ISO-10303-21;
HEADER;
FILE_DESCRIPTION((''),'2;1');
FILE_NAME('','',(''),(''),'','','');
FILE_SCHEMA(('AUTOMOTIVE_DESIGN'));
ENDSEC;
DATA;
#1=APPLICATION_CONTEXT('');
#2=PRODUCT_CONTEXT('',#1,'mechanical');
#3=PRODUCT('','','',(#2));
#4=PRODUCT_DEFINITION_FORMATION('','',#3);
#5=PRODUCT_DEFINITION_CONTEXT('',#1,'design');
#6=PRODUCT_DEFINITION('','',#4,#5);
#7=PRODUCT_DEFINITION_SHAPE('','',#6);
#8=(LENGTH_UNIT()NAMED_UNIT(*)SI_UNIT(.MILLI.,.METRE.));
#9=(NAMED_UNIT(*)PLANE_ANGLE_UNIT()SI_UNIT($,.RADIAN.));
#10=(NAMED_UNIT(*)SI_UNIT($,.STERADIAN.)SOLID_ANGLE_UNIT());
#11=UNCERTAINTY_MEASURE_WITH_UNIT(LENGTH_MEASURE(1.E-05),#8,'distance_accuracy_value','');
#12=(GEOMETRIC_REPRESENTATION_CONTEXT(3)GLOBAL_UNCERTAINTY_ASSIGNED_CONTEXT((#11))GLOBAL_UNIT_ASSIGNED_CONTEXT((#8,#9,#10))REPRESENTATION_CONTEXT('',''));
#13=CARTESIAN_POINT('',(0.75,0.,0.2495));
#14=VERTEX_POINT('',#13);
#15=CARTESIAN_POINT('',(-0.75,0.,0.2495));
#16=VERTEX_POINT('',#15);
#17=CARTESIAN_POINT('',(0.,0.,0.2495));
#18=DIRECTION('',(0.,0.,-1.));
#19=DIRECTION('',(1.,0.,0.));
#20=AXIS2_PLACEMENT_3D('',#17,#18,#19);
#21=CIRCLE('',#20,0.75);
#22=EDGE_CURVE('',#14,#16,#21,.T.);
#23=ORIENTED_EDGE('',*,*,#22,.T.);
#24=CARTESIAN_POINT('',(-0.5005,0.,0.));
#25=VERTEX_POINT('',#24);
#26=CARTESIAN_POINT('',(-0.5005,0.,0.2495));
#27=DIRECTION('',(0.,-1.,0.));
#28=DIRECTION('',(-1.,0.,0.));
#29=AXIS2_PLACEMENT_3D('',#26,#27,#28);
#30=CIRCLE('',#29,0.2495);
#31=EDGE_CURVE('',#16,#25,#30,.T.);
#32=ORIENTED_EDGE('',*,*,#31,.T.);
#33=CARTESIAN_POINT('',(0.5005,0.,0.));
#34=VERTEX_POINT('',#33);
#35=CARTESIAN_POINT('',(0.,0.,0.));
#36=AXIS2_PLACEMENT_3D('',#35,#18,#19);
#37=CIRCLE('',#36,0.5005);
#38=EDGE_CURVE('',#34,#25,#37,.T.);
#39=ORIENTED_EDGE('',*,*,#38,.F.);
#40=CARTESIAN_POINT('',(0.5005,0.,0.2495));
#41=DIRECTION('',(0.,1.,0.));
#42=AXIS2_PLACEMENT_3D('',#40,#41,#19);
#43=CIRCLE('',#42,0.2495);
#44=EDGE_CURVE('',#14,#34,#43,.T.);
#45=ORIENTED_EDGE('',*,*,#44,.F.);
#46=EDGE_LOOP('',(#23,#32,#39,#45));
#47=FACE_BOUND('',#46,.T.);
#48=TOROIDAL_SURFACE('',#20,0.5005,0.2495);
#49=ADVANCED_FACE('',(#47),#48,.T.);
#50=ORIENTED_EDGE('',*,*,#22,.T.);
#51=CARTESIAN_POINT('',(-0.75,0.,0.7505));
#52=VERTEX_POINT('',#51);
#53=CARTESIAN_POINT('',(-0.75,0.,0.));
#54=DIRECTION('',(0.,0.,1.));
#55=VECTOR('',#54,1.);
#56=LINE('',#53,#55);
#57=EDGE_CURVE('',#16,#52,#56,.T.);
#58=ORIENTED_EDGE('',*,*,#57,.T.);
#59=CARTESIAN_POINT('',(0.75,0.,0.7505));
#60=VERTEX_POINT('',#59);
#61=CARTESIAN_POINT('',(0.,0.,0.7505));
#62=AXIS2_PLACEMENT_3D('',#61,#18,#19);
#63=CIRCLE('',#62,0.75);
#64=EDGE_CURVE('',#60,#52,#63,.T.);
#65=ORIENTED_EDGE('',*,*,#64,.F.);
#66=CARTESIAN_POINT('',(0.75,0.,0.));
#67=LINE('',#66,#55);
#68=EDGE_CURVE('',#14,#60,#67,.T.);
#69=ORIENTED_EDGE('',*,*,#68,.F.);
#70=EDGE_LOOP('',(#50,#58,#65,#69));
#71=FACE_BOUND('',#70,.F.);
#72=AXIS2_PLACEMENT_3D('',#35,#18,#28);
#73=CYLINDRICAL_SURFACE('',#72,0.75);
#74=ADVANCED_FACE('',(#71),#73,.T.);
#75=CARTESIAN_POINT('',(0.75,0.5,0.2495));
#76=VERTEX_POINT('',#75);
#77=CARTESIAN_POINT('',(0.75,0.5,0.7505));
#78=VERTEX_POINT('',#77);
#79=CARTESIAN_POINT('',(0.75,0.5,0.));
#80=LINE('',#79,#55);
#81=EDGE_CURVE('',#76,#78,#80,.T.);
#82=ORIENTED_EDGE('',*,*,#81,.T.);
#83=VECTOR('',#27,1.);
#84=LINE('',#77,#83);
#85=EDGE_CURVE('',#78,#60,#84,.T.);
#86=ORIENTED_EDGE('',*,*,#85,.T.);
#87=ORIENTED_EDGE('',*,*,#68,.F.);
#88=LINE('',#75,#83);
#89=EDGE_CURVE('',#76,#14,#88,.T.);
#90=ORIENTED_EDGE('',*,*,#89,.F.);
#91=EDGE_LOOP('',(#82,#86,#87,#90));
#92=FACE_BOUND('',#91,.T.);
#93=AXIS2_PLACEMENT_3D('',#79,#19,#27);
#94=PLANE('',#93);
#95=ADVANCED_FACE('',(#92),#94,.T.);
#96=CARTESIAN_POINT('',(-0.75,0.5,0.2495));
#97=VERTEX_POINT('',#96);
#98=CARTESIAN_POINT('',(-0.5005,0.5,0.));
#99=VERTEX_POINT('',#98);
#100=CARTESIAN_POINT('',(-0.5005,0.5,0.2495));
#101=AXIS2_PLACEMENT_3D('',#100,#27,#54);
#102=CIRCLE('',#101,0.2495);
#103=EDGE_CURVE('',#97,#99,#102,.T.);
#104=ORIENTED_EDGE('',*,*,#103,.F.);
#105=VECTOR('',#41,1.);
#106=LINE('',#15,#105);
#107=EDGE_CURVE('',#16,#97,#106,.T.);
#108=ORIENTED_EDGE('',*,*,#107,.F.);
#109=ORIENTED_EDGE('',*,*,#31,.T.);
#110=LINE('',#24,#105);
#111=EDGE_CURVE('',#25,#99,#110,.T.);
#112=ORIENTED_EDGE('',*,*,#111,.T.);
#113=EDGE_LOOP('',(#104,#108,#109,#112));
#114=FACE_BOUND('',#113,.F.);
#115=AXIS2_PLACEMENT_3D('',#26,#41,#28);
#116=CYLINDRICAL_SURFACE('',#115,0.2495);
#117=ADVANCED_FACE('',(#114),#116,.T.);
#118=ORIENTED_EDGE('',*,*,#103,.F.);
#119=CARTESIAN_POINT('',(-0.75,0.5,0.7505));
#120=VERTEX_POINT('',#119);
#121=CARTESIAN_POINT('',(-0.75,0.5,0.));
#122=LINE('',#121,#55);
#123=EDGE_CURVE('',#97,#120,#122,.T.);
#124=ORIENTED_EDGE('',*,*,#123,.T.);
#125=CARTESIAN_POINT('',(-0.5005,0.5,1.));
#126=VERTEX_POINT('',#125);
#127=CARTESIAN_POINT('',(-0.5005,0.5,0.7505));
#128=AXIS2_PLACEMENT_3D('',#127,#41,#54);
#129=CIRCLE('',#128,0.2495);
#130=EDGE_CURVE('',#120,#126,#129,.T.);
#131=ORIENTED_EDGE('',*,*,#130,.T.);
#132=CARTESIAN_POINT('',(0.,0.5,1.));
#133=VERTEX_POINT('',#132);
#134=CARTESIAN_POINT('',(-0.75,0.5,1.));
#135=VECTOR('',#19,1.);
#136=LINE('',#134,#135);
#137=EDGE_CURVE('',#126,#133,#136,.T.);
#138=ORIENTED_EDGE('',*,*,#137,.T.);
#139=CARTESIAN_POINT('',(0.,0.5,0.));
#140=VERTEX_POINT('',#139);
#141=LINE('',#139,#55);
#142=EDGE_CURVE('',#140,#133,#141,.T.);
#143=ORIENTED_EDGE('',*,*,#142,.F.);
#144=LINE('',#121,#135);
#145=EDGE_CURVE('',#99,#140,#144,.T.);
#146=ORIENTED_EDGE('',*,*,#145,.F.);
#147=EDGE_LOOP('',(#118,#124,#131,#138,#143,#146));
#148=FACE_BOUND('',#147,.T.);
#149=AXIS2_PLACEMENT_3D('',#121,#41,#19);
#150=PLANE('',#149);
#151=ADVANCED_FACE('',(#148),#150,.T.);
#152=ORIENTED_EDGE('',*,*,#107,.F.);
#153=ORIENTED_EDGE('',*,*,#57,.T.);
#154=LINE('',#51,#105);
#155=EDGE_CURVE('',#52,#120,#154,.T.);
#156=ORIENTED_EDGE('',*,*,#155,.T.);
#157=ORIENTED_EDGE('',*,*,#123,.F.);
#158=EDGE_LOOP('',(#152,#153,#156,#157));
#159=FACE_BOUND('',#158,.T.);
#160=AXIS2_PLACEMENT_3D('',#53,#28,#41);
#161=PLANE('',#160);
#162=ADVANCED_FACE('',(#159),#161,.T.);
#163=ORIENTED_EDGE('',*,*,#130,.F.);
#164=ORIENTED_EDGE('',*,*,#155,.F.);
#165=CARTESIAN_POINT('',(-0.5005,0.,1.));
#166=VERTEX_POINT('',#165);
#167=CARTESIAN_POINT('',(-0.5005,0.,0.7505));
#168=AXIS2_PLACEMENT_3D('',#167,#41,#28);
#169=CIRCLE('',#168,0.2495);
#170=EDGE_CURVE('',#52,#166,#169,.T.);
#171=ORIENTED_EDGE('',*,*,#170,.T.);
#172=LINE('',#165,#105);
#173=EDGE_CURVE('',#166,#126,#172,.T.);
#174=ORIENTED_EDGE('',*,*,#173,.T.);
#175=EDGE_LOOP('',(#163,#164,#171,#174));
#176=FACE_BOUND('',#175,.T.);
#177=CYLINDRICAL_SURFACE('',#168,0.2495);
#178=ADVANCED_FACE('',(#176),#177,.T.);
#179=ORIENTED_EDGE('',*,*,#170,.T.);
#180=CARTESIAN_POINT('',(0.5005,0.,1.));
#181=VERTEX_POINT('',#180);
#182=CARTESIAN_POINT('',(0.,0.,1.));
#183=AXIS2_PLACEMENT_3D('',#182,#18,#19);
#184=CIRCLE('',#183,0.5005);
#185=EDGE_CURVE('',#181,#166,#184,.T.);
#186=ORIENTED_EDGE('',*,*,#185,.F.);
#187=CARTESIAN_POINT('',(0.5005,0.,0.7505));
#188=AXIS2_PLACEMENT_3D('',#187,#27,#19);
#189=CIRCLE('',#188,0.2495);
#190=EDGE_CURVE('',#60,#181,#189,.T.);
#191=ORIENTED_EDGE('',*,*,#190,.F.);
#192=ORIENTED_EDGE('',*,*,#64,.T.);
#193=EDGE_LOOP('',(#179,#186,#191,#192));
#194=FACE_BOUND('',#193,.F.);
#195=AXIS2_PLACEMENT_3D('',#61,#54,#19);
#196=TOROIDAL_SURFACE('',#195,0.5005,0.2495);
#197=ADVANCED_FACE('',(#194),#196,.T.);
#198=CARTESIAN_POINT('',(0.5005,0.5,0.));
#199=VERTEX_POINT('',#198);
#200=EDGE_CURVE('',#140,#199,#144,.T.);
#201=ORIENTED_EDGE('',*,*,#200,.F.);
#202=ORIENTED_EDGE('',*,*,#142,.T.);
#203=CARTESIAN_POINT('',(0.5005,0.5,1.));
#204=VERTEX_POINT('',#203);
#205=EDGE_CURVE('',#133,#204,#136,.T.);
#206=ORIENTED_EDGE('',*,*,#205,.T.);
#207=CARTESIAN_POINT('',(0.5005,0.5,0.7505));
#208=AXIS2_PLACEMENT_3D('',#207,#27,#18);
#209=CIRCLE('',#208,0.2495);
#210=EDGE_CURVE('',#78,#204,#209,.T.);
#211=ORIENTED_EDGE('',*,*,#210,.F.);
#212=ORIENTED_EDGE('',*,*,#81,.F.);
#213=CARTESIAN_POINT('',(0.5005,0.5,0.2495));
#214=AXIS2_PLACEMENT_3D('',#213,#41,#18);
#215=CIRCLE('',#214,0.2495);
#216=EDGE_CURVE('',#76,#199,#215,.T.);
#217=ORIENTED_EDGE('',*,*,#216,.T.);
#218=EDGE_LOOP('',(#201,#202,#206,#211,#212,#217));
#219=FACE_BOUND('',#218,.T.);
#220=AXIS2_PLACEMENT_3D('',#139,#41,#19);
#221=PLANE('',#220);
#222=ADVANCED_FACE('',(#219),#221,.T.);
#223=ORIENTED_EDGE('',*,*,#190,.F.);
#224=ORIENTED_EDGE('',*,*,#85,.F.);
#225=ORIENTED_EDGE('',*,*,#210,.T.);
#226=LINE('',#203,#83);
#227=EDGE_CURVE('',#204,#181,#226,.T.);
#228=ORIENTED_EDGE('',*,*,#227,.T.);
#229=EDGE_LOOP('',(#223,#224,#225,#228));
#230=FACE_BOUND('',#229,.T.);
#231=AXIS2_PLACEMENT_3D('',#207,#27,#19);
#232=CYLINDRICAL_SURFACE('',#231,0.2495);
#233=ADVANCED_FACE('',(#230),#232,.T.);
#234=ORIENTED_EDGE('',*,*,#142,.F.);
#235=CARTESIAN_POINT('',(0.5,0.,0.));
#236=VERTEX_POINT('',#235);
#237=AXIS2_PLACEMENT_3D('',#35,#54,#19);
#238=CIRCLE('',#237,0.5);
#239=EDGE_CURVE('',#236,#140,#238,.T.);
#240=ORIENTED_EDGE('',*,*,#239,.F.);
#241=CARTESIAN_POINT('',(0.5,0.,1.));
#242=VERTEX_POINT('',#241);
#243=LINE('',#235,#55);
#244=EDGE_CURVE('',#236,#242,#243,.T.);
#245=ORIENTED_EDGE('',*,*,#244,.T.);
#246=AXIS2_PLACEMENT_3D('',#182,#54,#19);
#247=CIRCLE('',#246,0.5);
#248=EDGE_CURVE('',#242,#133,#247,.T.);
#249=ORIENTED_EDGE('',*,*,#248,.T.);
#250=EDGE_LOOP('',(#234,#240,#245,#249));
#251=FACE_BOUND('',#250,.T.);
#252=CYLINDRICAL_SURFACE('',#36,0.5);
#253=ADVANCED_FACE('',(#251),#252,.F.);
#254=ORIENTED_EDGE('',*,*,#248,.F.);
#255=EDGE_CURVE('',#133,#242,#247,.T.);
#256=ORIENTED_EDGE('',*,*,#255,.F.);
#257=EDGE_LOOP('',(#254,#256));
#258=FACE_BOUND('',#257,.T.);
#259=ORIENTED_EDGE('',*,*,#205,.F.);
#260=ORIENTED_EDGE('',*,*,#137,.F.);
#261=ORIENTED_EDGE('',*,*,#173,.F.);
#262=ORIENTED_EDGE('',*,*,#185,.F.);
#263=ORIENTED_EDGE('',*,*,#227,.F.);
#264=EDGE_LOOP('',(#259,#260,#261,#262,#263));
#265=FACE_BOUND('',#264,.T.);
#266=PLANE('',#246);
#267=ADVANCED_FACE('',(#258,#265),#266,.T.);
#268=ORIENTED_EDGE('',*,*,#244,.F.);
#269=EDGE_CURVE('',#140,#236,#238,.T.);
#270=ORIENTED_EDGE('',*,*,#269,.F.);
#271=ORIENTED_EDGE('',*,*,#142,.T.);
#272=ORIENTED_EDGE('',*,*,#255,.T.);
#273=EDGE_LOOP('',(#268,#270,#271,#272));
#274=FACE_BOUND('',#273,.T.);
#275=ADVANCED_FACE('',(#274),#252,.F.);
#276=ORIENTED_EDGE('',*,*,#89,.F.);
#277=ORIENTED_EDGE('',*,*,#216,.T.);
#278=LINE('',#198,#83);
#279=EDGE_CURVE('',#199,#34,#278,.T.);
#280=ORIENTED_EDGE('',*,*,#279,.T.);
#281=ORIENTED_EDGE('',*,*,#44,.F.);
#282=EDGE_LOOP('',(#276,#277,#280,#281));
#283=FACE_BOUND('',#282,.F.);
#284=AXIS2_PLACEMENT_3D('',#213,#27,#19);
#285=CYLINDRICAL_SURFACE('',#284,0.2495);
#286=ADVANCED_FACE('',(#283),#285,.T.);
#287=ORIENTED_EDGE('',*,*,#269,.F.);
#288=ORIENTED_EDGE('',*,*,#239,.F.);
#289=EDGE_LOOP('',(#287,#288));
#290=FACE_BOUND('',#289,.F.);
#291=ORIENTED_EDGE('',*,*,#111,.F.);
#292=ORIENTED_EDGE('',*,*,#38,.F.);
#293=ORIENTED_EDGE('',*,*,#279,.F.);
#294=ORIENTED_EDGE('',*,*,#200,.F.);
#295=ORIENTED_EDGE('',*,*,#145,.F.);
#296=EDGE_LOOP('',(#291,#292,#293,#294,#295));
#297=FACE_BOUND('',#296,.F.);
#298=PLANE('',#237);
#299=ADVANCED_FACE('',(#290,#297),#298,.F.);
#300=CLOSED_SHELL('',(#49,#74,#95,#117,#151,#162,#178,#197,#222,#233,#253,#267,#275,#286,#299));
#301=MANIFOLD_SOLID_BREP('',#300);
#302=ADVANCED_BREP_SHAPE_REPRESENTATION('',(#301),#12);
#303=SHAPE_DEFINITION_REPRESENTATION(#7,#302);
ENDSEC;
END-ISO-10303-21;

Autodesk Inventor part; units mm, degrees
ref_plane "YZ Plane" through (0, 0, 0) normal (1, 0, 0) x (0, 1, 0)
ref_plane "XZ Plane" through (0, 0, 0) normal (0, 1, 0) x (-1, 0, 0)
ref_plane "XY Plane" through (0, 0, 0) normal (0, 0, 1) x (1, 0, 0)
sketch "Szkic1" plane through (0, 0, 0) normal (0, 0, 1) x (1, 0, 0)
  line L0 (0, -1) -> (0, 0.75) construction
  line L1 (-1.05, 0) -> (1.05, 0) construction
  circle A0 centre (0, 0) radius 0.5
  line L2 (0.75, -0.5) -> (-0.75, -0.5) construction
  line L3 (-0.75, -0.5) -> (-0.75, 0.5) construction
  line L4 (-0.75, 0.5) -> (0.75, 0.5)
  line L5 (0.75, 0.5) -> (0.75, -0.5) construction
  line L6 (0.75, -0.5) -> (-0.75, 0.5) construction
  line L7 (-0.75, -0.5) -> (0.75, 0.5) construction
  line L8 (-0.75, 0) -> (-0.75, 0.5)
  line L9 (0.75, 0.5) -> (0.75, 0)
  arc A1 (-0.75, 0) -> (0.75, 0) centre (0, 0) ccw
  point P0 (0, 0)
  dimension "d5" = 1
  dimension "d7" = 1.5
extrude "Wyciągnięcie proste1" add sketch "Szkic1" along normal blind 1
fillet "Zaokrąglenie1" radius 0.25 6 edges at (-0.75, 0.25, 0) (0.75, 0.25, 0) (0, -0.75, 0) (0.75, 0.25, 1) (-0.75, 0.25, 1) (0, -0.75, 1)
properties part number "trzym"
